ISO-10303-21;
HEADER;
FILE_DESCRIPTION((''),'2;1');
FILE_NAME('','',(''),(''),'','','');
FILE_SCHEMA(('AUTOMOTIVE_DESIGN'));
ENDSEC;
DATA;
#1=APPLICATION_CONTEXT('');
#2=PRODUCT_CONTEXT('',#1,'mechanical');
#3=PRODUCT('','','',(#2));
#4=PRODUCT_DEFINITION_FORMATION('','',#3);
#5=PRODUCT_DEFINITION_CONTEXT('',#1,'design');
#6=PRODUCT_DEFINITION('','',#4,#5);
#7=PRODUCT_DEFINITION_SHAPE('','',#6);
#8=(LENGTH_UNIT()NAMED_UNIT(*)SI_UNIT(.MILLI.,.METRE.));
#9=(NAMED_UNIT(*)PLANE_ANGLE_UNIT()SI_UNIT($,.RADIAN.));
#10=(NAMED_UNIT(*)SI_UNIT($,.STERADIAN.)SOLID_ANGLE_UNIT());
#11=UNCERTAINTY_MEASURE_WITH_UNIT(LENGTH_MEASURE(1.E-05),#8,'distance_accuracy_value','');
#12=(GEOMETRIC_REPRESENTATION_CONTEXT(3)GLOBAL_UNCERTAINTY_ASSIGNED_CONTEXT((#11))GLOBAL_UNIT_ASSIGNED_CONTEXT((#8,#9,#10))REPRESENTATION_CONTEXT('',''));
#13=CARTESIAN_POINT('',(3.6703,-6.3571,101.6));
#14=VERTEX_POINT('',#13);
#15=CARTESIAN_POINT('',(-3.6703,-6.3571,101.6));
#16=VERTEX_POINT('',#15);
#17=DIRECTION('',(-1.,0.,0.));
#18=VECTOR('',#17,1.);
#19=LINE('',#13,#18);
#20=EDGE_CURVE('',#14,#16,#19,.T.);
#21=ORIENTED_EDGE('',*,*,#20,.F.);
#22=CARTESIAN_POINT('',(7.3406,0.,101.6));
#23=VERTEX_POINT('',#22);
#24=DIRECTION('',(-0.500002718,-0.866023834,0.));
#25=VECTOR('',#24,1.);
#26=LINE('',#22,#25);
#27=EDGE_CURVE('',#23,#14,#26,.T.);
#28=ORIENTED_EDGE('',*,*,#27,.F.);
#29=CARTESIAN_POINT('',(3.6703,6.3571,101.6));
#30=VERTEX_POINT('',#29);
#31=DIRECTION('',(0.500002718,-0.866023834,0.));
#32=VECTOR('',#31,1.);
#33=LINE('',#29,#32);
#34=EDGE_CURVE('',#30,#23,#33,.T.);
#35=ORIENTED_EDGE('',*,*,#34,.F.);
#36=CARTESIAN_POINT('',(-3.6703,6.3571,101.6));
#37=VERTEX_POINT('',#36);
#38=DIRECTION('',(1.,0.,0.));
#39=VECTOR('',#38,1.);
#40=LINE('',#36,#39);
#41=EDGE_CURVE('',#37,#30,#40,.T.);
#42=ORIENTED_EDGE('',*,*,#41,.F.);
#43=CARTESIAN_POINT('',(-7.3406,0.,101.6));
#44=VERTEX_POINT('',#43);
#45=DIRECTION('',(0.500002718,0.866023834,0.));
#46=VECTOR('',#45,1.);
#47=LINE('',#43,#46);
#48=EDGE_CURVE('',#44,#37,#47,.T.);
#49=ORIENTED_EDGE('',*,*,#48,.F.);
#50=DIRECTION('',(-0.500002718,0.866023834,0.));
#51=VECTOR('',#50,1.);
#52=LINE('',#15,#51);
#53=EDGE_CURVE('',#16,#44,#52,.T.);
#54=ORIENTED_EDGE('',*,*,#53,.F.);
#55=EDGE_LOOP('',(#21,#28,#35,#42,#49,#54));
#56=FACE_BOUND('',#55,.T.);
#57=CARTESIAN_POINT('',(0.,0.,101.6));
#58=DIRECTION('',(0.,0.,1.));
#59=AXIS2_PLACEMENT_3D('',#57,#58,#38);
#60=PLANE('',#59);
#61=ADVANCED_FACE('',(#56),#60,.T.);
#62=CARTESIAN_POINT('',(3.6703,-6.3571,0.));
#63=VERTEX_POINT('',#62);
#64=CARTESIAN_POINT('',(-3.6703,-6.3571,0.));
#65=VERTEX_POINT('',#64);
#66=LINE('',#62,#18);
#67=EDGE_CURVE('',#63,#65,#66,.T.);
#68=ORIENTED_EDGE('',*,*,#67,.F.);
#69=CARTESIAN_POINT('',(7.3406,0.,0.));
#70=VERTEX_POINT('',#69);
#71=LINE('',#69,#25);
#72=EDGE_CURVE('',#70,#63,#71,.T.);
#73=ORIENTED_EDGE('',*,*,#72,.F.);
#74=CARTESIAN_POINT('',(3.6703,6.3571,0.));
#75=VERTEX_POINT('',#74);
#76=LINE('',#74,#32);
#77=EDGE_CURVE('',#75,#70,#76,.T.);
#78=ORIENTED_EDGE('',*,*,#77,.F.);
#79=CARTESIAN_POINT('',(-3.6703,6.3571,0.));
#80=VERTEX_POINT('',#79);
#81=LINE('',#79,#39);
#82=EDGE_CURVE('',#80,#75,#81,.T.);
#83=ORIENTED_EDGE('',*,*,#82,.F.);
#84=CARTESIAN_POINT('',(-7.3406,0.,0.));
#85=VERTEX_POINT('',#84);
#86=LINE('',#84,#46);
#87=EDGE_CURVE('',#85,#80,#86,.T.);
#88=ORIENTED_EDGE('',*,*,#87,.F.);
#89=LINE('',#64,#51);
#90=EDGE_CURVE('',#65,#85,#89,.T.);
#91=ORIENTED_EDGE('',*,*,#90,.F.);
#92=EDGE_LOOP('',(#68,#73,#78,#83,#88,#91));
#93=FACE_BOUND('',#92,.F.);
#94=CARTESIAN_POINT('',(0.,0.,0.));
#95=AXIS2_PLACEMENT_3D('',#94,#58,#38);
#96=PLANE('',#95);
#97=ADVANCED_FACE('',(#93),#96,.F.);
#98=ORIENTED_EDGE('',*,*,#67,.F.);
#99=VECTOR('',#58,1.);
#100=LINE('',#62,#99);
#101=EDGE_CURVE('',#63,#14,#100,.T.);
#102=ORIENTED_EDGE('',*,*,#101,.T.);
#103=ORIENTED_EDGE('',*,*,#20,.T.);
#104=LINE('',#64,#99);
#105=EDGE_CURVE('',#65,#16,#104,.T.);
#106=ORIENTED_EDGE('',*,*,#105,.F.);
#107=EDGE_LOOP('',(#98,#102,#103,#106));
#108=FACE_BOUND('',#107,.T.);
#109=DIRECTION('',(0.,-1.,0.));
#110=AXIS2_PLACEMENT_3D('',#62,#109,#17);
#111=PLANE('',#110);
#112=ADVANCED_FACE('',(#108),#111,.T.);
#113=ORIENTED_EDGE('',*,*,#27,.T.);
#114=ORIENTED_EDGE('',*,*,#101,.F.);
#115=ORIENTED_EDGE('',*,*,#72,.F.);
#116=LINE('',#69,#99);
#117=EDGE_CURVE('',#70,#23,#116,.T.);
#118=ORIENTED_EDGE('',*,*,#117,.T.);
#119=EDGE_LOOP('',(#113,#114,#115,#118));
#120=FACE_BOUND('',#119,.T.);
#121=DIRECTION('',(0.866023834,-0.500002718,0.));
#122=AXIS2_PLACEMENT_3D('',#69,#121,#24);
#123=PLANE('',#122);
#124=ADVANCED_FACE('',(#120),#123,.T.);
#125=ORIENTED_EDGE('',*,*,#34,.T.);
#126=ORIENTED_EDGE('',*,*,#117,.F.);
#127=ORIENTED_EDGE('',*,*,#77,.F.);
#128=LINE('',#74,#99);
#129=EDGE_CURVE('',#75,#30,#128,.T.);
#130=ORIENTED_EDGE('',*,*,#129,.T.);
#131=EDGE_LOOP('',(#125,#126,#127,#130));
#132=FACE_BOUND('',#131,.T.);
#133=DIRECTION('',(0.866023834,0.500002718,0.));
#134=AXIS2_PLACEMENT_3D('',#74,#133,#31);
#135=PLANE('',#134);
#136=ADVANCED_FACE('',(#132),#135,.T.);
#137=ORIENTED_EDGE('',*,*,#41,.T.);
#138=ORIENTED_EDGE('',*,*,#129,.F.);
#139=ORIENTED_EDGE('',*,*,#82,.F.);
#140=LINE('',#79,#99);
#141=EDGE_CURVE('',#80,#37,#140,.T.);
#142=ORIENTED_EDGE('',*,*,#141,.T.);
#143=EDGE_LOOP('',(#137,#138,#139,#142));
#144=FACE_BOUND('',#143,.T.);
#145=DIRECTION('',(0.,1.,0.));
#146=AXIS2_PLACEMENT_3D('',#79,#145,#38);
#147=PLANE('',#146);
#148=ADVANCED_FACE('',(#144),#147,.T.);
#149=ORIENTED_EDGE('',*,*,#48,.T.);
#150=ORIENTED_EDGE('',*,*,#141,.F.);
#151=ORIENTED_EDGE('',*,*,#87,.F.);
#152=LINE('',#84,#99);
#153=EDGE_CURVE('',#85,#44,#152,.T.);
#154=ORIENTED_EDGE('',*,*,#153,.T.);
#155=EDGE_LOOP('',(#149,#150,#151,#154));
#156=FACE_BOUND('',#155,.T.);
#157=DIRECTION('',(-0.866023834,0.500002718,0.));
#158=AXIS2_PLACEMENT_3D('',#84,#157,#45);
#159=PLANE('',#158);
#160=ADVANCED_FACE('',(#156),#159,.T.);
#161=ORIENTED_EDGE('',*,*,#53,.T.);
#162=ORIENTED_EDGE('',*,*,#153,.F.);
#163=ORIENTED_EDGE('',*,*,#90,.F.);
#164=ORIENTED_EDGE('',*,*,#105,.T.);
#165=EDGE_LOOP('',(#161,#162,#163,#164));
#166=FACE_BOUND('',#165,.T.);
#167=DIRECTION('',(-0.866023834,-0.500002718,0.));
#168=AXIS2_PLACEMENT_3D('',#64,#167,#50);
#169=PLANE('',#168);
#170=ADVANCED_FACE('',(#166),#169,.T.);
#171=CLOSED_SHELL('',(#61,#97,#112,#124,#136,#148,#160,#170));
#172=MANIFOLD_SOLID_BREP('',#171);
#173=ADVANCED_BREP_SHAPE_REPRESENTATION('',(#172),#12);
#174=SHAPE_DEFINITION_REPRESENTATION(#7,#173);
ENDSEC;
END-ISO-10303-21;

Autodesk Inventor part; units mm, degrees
ref_plane "YZ Plane" through (0, 0, 0) normal (1, 0, 0) x (0, 1, 0)
ref_plane "XZ Plane" through (0, 0, 0) normal (0, 1, 0) x (-1, 0, 0)
ref_plane "XY Plane" through (0, 0, 0) normal (0, 0, 1) x (1, 0, 0)
sketch "Sketch1" plane through (0, 0, 0) normal (0, 0, 1) x (1, 0, 0)
  line L0 (7.3406, 0) -> (3.6703, -6.3571)
  line L1 (3.6703, -6.3571) -> (-3.6703, -6.3571)
  line L2 (-3.6703, -6.3571) -> (-7.3406, 0)
  line L3 (-7.3406, 0) -> (-3.6703, 6.3571)
  line L4 (-3.6703, 6.3571) -> (3.6703, 6.3571)
  line L5 (3.6703, 6.3571) -> (7.3406, 0)
  point P0 (0, 0)
  point P1 (0, 0)
  dimension "d0" = 14.6812
extrude "Extrusion1" add sketch "Sketch1" along normal blind 101.6
properties part number "Hex Instert" material "Aluminum 6061"
